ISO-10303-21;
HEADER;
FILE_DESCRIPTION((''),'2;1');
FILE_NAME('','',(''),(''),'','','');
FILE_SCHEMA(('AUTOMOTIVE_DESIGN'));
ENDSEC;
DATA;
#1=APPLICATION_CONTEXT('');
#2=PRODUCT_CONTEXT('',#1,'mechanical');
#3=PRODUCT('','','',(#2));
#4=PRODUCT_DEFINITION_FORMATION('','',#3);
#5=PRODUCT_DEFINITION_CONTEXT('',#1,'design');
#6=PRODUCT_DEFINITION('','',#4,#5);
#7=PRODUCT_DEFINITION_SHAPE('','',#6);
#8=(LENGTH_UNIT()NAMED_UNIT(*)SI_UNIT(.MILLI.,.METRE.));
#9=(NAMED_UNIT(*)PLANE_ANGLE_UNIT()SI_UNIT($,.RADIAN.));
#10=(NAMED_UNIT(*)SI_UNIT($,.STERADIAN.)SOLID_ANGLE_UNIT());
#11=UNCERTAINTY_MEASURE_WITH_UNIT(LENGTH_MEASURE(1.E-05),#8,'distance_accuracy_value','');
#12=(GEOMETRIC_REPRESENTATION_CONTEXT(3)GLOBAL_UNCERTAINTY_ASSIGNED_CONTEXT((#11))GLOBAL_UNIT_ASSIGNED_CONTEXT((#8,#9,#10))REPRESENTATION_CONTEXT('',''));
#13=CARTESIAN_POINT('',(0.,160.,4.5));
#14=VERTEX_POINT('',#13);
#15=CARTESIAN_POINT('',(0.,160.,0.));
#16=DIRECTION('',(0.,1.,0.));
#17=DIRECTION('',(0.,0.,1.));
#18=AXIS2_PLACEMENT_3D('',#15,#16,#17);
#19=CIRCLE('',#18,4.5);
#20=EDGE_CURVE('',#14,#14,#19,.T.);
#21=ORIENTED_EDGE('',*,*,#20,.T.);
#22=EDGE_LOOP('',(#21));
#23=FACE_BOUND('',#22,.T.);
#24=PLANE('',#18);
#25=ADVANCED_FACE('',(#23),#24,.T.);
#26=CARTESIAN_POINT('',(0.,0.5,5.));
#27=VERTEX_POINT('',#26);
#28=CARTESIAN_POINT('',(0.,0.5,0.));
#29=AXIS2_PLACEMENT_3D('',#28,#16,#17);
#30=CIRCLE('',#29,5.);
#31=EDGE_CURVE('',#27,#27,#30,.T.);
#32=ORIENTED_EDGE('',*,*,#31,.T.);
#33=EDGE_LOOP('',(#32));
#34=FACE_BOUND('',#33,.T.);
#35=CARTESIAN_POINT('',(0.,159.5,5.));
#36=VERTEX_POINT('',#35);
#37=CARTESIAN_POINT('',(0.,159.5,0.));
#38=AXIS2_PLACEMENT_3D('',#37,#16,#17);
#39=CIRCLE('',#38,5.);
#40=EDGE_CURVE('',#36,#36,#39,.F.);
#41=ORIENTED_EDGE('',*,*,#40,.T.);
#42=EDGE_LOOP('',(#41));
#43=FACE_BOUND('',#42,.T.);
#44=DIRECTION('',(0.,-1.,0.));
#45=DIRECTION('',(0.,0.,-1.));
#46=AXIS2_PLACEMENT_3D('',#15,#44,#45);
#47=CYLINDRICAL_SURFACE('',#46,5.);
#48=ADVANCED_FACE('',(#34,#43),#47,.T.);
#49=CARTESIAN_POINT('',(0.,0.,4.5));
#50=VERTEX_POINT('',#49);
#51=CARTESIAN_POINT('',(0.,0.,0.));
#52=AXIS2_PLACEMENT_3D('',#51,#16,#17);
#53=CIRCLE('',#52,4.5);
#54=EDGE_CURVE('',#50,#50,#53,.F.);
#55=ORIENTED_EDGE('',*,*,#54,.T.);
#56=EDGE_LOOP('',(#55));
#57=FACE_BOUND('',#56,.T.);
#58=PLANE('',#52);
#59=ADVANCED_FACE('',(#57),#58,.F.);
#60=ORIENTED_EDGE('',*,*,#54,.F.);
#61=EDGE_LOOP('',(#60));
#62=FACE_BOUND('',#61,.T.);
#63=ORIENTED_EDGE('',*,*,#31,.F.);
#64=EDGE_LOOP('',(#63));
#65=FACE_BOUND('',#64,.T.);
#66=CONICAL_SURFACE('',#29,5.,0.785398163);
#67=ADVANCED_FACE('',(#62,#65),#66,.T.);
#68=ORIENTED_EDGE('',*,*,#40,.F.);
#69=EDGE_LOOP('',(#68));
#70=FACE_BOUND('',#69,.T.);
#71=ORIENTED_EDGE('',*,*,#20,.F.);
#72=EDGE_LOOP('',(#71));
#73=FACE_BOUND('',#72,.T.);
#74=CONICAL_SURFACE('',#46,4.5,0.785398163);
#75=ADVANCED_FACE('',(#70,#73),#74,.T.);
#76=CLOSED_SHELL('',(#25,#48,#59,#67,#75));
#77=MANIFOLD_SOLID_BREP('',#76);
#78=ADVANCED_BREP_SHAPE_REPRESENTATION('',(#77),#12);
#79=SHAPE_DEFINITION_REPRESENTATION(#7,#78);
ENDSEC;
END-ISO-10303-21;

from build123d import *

# Parameters (mm, degrees)
SKETCH1_R           = 5
BOSS_EXTRUDE1_DEPTH = 160
CHAMFER1_SIZE       = 0.5


with BuildPart() as part:
    # Sketch1 → Boss-Extrude1 (new body)
    with BuildSketch(Plane(origin=(0, 0, 0), x_dir=(1, 0, 0), z_dir=(0, 1, 0))):
        Circle(SKETCH1_R)
    extrude(amount=BOSS_EXTRUDE1_DEPTH)

    # Chamfer1
    chamfer1_edges = [part.edges().sort_by_distance(p)[0] for p in [
        (-5, 0, 0),
        (-5, 160, 0),
    ]]
    chamfer(chamfer1_edges, length=CHAMFER1_SIZE)


solid = part.part
